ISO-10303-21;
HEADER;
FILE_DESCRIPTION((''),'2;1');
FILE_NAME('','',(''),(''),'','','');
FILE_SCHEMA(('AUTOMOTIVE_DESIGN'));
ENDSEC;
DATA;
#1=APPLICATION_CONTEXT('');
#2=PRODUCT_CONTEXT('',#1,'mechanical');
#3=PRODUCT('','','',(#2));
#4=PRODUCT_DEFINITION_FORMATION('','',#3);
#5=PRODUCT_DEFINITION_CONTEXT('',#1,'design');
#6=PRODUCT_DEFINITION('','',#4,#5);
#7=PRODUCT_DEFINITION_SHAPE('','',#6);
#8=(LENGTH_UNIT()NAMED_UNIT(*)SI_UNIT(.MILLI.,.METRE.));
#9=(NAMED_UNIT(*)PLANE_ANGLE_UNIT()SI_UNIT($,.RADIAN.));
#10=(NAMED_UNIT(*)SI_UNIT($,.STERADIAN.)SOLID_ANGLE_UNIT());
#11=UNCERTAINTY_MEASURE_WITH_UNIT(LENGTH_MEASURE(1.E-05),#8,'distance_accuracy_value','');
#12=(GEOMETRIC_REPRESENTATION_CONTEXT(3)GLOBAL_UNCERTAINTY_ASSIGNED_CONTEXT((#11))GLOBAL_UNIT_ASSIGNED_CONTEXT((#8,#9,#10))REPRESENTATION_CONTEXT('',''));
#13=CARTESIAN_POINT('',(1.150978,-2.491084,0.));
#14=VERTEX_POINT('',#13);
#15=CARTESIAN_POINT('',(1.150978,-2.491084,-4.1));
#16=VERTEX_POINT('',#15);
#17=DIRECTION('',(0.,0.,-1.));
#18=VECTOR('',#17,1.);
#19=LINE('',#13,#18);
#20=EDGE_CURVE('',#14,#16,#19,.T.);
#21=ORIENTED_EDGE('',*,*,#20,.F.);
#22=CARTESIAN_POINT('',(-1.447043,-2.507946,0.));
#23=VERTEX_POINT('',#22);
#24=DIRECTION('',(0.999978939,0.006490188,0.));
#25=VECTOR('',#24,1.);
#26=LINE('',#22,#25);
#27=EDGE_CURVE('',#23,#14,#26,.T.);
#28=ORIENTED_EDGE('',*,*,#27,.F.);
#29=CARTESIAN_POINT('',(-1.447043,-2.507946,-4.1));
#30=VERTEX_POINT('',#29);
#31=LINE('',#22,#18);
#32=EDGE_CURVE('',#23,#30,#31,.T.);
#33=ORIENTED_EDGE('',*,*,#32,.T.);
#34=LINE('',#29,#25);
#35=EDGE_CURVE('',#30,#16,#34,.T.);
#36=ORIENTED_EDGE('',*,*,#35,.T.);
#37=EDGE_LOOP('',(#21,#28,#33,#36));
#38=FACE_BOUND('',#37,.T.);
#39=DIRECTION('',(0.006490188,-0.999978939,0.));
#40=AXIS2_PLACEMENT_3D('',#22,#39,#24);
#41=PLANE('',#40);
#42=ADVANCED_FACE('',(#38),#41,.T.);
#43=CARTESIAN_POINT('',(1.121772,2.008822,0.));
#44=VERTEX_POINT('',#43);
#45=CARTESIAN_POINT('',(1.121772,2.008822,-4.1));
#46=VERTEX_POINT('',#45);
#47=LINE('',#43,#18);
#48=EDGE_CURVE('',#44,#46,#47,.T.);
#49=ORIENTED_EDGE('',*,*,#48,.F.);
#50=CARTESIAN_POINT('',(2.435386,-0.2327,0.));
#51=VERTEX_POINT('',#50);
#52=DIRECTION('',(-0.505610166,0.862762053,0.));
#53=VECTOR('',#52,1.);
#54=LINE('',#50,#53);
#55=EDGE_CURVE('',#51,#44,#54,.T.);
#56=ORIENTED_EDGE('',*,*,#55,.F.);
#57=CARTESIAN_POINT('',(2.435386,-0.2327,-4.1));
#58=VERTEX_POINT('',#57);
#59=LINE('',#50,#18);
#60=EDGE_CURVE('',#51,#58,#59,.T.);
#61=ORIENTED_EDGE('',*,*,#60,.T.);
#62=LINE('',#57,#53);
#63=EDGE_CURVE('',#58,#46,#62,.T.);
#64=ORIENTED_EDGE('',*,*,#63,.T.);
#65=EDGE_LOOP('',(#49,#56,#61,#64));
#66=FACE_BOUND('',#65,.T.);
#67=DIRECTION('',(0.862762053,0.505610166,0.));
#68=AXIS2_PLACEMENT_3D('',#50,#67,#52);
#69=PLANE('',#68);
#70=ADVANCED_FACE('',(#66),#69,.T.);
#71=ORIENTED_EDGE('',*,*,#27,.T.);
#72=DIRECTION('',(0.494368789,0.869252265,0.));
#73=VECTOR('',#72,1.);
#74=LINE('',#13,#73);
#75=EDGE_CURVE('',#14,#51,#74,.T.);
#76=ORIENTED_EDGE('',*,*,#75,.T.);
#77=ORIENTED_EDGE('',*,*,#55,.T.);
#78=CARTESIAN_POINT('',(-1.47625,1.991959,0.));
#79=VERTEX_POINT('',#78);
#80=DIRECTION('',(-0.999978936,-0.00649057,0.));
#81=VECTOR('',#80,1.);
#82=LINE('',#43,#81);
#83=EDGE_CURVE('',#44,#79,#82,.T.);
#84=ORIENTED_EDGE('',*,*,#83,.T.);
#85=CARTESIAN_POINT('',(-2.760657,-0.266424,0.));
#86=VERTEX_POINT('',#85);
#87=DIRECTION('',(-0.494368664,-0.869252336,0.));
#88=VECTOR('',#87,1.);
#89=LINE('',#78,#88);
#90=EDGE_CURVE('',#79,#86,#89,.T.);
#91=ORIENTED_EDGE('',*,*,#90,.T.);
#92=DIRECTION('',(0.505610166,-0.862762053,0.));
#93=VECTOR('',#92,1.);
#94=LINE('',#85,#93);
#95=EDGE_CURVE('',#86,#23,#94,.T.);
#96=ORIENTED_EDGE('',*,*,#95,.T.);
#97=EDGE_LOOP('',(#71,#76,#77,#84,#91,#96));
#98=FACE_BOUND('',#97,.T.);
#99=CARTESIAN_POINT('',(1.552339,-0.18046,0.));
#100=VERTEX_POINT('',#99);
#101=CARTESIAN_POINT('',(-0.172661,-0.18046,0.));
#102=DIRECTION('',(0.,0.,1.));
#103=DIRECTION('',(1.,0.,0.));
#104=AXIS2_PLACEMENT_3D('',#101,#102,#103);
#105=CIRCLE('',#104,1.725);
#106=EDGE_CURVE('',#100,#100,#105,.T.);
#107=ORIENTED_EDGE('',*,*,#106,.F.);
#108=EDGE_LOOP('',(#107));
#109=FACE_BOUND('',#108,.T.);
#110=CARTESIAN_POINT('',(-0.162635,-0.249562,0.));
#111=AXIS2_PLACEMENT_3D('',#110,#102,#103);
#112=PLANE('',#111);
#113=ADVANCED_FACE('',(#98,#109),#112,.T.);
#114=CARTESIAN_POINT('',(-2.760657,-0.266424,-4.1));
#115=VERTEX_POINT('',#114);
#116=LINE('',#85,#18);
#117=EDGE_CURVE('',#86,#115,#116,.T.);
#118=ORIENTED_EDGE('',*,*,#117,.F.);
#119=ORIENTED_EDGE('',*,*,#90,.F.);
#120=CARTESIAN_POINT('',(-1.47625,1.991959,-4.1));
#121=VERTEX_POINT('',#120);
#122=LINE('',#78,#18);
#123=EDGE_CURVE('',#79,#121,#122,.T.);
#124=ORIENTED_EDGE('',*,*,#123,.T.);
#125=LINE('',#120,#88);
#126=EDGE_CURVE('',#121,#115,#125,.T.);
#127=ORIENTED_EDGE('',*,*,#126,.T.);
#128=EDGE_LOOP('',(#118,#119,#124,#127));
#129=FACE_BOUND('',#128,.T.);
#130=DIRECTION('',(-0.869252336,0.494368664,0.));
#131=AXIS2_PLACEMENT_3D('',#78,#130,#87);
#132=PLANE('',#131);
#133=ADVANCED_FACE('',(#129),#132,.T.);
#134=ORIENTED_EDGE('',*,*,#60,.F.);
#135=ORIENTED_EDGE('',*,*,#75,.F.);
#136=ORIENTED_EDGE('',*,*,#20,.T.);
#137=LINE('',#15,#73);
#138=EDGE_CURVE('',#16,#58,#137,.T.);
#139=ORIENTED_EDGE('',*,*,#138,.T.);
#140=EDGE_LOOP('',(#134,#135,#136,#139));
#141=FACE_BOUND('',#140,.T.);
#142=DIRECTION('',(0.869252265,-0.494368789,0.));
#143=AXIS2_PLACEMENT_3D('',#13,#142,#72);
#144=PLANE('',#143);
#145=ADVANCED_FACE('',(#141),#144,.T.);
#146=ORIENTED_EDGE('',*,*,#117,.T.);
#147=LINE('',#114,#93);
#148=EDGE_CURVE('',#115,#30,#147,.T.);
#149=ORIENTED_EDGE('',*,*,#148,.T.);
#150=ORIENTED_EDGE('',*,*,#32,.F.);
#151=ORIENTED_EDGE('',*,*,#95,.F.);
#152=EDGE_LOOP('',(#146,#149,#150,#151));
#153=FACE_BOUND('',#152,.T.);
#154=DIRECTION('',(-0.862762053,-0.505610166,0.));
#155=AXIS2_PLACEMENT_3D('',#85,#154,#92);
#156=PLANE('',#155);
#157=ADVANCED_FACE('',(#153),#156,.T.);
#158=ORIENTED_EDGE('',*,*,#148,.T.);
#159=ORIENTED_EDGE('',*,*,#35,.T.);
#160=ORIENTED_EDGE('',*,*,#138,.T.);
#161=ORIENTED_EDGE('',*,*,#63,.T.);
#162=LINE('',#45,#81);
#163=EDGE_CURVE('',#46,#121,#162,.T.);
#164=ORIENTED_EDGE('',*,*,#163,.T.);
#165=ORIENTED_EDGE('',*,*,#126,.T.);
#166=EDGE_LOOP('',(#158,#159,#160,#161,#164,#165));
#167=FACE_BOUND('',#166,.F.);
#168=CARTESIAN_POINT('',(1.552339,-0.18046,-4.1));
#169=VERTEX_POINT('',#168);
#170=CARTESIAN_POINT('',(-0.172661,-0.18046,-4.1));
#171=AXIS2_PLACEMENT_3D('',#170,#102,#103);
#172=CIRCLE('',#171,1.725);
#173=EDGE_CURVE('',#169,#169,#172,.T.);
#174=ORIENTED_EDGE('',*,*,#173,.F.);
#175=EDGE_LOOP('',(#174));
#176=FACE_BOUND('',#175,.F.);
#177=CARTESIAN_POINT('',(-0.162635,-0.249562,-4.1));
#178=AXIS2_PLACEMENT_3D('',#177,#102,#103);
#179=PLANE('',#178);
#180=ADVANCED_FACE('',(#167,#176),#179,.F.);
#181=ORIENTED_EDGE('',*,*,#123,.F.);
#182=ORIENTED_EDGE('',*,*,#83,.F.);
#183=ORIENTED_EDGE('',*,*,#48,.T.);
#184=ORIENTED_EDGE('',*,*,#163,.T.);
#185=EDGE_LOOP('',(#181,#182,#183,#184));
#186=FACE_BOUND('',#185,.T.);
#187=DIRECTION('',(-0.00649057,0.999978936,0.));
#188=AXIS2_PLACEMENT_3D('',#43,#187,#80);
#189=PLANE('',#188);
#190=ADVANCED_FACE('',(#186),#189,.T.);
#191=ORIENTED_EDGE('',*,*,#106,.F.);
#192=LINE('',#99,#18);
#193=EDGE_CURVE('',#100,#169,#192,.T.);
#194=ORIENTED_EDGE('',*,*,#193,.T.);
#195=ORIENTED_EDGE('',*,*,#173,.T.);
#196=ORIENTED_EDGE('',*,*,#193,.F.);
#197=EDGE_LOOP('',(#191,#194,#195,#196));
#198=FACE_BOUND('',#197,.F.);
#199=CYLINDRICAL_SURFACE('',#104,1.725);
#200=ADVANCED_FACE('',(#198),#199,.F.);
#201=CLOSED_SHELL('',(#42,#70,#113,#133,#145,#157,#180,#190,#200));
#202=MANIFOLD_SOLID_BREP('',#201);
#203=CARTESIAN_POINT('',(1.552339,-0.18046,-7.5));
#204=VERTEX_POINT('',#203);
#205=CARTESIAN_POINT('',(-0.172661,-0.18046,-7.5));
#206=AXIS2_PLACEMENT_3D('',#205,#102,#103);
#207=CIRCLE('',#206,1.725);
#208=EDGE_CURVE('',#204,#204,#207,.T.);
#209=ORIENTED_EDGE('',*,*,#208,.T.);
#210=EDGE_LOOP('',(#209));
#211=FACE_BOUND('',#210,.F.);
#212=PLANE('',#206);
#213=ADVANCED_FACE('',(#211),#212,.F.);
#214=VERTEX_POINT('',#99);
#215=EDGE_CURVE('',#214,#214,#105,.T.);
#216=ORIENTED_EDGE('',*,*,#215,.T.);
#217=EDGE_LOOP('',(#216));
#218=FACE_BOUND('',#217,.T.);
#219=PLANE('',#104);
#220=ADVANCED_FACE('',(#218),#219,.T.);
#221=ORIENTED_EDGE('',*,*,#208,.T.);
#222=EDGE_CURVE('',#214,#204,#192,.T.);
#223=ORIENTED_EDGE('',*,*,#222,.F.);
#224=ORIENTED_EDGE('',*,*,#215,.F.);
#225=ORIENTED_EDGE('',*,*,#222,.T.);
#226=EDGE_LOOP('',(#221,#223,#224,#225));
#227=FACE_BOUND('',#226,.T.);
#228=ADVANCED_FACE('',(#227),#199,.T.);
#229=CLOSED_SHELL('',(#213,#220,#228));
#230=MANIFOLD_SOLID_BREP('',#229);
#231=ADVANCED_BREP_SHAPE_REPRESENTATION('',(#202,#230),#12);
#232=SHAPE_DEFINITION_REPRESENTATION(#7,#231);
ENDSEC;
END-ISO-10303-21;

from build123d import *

# Parameters (mm, degrees)
F0_R     = 1.725
F1_DEPTH = 4.1
F2_DEPTH = 7.5


with BuildPart() as f1:
    # F0 (on Top) → F1 (new body)
    with BuildSketch(Plane.XY):
        Polygon((-1.47625, 1.991959), (-2.760657, -0.266424), (-1.447043, -2.507946), (1.150978, -2.491084), (2.435386, -0.2327), (1.121772, 2.008822), align=None)
        with Locations((-0.172661, -0.18046)):
            Circle(F0_R, mode=Mode.SUBTRACT)
    extrude(amount=-F1_DEPTH)


with BuildPart() as f2:
    # F0 (on Top) → F2 (new body)
    with BuildSketch(Plane.XY):
        with Locations((-0.172661, -0.18046)):
            Circle(F0_R)
    extrude(amount=-F2_DEPTH)


solid = Compound([f1.part, f2.part])
